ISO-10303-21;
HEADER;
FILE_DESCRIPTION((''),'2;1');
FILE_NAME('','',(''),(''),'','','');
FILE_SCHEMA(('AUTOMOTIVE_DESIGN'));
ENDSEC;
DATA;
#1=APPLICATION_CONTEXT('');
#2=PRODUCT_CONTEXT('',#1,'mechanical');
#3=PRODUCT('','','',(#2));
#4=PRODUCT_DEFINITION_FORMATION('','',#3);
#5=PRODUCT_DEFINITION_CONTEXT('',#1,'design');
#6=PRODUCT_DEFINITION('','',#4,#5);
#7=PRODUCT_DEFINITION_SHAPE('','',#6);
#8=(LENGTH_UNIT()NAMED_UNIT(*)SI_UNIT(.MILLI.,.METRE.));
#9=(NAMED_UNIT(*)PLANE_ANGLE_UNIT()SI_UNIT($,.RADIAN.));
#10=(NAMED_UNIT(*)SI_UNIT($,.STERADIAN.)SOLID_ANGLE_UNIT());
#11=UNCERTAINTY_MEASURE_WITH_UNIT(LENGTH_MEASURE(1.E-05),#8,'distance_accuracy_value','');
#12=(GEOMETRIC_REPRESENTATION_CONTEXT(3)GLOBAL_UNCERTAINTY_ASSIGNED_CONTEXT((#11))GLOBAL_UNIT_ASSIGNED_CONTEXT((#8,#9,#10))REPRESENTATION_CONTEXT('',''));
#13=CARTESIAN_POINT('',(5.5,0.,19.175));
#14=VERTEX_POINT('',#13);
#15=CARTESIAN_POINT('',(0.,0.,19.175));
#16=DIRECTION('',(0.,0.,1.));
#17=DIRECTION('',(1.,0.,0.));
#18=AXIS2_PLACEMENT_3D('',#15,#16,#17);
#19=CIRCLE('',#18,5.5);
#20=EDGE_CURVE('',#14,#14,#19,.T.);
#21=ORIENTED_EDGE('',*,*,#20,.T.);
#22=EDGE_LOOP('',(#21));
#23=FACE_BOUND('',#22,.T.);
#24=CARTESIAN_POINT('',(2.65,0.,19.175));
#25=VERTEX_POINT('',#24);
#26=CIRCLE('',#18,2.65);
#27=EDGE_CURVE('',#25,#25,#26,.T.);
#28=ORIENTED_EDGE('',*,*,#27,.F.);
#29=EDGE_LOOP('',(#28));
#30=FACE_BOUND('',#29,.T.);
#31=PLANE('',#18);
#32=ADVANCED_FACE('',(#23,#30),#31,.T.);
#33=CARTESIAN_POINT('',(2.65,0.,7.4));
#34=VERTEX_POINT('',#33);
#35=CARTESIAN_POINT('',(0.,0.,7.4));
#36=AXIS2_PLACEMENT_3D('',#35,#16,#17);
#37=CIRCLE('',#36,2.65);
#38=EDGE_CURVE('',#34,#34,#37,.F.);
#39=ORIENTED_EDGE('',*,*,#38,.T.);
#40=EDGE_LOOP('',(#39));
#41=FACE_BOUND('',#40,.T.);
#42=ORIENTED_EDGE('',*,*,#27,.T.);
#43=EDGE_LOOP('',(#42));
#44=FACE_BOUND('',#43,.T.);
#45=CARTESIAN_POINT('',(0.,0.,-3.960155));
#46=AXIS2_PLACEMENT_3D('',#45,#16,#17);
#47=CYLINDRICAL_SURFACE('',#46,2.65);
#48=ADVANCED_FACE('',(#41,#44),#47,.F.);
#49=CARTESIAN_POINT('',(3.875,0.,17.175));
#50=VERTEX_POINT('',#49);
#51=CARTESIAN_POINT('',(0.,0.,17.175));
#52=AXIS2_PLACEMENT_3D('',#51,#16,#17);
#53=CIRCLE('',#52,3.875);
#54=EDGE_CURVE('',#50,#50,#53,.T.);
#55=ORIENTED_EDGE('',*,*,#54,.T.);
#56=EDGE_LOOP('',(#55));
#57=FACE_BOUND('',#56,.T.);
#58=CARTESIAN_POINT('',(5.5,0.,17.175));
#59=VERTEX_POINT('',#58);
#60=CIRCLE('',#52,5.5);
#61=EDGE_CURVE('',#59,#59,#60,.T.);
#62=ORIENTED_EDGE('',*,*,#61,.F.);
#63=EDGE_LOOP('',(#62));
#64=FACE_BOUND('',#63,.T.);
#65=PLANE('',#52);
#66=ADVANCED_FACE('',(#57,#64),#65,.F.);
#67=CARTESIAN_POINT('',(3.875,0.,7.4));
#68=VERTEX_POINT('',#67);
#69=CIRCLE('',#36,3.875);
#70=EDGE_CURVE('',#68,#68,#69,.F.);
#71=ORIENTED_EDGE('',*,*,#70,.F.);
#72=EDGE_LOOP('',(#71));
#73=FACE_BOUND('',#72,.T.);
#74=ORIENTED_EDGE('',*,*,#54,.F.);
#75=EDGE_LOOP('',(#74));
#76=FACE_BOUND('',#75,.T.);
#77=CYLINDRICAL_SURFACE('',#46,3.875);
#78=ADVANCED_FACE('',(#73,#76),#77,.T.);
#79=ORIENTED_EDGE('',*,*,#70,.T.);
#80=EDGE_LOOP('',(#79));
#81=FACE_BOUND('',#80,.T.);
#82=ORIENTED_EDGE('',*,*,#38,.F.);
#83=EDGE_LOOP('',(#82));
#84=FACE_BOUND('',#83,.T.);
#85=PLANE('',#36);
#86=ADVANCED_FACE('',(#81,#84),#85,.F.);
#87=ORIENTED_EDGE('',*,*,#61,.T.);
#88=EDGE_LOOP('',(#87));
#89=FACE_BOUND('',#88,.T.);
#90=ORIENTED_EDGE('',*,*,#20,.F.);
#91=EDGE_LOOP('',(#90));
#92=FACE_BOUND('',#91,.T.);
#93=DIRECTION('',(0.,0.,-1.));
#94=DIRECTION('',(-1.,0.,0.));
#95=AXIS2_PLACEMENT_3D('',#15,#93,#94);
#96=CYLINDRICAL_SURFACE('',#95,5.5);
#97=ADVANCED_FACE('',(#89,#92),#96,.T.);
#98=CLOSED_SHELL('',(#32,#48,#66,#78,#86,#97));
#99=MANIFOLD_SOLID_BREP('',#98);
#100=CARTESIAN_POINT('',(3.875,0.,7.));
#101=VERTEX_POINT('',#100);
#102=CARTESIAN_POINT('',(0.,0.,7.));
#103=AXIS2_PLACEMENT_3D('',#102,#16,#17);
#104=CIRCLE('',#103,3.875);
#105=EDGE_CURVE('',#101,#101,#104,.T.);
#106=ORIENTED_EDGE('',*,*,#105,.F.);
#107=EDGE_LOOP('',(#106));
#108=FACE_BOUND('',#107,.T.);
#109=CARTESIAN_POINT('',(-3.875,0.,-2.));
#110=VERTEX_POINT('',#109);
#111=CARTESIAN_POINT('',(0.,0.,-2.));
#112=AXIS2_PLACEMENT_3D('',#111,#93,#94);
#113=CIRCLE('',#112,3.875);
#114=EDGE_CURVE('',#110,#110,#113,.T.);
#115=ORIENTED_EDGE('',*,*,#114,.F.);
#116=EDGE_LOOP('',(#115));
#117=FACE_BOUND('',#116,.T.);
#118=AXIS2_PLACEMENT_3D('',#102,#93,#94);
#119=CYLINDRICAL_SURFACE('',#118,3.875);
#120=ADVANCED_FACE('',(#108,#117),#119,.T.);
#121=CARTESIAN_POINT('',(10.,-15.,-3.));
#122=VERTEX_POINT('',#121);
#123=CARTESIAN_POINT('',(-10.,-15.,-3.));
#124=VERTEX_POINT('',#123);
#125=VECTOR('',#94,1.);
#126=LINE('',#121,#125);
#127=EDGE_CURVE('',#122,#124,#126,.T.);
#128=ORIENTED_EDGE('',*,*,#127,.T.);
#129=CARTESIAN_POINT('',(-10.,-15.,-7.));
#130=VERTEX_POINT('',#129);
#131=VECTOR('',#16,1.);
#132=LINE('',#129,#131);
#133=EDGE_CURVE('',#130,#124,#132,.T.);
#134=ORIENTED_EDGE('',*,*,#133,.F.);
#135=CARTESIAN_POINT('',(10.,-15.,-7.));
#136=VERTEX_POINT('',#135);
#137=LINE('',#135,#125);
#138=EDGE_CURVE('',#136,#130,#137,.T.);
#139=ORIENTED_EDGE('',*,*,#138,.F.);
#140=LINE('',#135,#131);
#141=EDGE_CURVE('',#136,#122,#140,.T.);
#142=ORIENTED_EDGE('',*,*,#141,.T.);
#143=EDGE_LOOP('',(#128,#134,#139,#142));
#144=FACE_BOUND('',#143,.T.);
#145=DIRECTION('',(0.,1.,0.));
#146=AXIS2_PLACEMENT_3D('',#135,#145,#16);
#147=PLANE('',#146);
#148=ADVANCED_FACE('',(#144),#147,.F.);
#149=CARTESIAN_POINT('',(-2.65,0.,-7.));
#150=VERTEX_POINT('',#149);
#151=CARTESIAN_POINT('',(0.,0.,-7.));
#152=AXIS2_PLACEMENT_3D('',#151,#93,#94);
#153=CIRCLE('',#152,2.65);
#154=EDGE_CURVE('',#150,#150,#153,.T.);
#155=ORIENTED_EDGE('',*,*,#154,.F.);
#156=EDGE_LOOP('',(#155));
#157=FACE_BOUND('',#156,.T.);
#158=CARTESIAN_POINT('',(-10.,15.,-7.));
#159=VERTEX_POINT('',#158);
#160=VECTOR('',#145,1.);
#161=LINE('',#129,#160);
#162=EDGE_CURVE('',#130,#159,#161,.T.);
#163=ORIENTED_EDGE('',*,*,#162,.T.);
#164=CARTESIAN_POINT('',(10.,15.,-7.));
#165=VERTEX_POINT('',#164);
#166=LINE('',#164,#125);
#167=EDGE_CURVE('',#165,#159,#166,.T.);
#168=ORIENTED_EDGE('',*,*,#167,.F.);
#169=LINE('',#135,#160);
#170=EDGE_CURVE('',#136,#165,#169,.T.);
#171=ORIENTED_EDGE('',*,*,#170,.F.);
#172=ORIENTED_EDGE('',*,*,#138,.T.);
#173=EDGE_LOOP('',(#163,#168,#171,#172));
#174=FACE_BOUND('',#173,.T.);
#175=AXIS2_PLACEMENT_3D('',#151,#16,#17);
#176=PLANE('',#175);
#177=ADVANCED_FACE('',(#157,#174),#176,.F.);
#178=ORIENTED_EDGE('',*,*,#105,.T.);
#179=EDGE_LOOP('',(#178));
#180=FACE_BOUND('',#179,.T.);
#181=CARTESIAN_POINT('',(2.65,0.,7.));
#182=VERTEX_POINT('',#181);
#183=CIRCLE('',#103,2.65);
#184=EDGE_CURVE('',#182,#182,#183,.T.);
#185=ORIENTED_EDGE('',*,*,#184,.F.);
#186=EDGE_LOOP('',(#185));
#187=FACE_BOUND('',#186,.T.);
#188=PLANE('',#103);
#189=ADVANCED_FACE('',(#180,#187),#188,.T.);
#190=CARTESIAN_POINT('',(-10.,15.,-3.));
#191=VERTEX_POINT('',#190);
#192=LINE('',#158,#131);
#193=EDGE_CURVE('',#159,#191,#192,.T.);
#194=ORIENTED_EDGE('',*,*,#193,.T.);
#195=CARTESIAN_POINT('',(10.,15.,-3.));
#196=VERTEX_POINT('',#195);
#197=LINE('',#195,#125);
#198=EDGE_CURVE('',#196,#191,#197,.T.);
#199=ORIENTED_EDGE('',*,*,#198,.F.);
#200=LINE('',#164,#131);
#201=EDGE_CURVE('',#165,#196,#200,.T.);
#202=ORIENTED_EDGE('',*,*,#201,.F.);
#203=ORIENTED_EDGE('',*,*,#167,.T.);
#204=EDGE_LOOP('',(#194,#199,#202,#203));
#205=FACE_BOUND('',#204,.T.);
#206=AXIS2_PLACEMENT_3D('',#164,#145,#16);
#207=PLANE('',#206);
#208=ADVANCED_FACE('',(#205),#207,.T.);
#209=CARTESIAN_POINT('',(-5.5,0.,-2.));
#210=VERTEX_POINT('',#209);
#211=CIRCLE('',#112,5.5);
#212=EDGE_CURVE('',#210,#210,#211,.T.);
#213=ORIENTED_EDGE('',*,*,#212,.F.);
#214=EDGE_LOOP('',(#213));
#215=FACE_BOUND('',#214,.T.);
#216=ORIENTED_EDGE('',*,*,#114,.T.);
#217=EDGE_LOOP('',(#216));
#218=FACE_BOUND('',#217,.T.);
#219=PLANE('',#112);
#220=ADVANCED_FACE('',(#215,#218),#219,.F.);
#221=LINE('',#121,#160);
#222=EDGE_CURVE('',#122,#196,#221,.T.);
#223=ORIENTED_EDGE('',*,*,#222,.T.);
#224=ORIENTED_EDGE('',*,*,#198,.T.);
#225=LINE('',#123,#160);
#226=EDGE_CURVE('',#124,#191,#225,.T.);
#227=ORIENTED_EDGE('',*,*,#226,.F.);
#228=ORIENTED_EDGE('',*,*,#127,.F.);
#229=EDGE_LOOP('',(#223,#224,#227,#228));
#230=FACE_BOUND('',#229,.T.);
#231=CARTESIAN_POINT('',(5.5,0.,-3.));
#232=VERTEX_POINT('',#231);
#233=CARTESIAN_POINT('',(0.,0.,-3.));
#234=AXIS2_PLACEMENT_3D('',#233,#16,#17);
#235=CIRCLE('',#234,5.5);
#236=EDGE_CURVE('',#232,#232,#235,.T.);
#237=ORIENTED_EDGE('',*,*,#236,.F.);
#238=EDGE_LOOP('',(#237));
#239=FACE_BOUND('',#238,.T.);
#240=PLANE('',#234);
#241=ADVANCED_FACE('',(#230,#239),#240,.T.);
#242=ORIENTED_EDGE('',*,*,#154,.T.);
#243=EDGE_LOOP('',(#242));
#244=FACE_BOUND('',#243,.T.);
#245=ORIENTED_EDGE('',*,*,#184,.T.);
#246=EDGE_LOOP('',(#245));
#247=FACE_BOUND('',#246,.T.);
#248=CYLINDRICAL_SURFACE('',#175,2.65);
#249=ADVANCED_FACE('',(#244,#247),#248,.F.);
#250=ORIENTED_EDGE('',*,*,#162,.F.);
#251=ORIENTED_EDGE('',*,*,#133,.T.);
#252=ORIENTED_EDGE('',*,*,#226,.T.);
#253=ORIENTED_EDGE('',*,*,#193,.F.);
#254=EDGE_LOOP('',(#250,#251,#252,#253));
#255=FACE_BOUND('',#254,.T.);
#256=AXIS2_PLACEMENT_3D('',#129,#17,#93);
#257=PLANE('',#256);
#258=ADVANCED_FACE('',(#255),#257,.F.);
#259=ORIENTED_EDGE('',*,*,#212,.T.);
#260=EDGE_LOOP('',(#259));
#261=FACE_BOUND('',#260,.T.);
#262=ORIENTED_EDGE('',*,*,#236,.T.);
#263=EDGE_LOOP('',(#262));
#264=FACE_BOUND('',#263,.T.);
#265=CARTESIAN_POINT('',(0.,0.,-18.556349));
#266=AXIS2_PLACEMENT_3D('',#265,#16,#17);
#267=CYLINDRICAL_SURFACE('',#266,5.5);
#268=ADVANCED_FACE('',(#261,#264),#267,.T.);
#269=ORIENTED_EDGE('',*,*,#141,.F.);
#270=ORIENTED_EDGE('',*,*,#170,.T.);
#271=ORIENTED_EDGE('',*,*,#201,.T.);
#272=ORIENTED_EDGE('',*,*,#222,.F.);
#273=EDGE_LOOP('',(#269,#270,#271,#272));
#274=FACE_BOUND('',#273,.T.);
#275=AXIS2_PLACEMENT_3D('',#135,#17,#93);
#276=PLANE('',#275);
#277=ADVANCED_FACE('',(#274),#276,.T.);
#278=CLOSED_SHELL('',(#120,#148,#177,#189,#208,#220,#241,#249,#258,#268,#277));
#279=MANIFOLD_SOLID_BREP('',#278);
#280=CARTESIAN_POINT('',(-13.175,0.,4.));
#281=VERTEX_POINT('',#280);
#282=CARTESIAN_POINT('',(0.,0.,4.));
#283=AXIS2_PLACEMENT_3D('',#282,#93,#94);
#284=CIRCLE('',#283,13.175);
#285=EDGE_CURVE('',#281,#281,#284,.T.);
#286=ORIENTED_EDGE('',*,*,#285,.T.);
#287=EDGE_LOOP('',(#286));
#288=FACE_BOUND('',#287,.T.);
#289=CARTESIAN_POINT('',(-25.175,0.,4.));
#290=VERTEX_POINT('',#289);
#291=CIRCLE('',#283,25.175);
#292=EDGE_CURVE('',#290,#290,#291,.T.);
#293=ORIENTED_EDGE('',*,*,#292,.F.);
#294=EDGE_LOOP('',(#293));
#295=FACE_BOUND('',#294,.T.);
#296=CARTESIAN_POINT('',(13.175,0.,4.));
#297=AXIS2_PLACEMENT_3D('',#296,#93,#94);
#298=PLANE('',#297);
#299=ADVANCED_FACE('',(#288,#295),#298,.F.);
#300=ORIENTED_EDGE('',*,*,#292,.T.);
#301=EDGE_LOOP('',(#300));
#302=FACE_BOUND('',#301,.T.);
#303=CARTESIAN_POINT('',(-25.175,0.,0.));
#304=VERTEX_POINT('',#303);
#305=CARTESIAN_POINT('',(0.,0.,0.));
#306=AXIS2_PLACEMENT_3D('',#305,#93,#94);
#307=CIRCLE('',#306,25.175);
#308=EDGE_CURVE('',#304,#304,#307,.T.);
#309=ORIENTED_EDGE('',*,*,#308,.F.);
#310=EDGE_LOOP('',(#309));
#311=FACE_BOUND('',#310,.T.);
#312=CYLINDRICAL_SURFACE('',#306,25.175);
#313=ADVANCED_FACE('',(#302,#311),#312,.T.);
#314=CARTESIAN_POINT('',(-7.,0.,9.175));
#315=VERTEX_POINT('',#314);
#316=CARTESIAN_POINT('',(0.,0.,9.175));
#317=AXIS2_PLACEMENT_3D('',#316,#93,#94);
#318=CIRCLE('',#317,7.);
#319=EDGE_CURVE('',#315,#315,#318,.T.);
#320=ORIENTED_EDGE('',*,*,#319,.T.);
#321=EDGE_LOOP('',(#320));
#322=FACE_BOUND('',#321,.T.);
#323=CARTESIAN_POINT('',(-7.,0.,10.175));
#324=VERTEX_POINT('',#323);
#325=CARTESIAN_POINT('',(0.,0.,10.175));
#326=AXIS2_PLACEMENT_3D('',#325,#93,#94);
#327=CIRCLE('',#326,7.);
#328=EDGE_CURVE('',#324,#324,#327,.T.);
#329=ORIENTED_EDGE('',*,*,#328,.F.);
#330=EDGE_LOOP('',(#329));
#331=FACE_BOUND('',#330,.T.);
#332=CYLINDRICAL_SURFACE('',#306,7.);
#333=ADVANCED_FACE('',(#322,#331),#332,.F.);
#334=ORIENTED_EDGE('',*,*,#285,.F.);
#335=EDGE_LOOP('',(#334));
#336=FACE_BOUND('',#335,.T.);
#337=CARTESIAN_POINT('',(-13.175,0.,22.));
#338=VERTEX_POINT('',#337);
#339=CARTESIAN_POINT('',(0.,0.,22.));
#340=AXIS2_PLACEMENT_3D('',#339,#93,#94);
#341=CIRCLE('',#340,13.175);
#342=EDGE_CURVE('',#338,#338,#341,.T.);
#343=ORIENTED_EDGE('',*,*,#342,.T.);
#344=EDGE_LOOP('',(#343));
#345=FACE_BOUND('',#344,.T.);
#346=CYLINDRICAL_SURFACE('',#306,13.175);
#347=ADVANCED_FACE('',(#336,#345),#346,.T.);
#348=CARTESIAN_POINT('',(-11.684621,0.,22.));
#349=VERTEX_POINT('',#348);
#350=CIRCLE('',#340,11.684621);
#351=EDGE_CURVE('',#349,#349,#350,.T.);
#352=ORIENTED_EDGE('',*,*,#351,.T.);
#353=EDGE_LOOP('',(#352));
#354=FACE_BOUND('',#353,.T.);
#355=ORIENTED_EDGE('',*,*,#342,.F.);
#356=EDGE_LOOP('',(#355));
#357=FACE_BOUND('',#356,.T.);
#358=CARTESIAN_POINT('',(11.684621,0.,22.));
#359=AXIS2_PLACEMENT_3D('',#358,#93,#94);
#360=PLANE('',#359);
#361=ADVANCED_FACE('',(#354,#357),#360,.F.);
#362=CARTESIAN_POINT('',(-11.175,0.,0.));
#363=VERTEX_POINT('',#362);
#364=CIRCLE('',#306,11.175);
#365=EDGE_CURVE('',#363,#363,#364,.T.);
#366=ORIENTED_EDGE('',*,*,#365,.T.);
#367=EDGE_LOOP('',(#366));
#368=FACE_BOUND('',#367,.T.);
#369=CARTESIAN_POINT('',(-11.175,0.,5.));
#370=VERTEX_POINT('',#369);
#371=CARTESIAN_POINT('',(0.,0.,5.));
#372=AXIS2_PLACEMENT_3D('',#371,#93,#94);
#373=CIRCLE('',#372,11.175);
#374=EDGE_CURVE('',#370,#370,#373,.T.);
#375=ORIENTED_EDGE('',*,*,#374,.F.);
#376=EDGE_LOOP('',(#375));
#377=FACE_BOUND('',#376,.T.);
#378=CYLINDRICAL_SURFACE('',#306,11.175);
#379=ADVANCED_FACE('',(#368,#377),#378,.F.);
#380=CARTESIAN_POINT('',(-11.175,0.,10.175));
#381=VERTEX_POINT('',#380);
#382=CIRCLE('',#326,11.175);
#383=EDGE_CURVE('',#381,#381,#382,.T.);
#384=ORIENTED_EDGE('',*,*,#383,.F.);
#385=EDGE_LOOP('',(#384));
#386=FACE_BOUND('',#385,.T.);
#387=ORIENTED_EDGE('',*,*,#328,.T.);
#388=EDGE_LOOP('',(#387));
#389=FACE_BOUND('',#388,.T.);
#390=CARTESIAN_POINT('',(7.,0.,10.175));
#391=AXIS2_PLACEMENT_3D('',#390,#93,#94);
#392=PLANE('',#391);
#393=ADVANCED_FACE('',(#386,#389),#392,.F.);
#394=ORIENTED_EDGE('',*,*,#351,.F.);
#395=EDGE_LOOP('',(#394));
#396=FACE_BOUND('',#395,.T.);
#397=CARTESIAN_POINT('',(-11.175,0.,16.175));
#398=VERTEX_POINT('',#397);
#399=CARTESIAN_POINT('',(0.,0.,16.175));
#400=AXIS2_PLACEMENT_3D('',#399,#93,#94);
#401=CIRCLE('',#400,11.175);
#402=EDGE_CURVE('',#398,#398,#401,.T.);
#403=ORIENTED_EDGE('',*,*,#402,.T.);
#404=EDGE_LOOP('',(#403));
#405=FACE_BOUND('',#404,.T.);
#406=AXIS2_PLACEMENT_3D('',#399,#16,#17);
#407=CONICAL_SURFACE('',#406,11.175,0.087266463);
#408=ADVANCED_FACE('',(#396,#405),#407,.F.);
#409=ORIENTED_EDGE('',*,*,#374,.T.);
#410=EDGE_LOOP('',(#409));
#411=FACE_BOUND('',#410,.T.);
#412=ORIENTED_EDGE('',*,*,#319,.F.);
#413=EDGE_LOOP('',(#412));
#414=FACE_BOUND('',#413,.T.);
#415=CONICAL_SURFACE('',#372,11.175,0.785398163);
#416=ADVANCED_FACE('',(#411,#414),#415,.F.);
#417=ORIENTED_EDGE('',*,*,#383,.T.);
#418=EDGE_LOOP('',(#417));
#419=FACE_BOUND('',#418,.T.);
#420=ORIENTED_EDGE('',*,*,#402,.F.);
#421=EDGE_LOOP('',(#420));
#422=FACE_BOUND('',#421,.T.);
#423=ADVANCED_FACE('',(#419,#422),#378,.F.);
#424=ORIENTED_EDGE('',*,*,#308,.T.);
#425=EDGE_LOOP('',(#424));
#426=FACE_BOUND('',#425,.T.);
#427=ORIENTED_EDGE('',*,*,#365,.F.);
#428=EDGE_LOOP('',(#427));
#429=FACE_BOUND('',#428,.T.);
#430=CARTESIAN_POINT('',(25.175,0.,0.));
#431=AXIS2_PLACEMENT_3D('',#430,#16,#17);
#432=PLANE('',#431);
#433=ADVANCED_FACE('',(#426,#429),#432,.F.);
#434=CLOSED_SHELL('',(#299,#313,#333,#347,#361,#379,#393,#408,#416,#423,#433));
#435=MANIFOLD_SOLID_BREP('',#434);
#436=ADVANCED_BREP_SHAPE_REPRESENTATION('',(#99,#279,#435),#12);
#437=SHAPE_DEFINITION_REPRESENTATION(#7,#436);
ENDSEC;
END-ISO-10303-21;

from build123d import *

# Parameters (mm, degrees)
BOSS_EXTRUDE1_START = 1
SKETCH3_W           = 20
SKETCH3_H           = 30
SKETCH3_R           = 2.65
BOSS_EXTRUDE1_DEPTH = 4
BOSS_EXTRUDE3_START = 1
SKETCH3_4_R         = 3.875
SKETCH3_4_R_2       = 2.65
BOSS_EXTRUDE3_DEPTH = 10
SKETCH3_5_R         = 5.5
SKETCH3_5_R_2       = 3.875
BOSS_EXTRUDE4_DEPTH = 1
SKETCH4_R           = 3.875
SKETCH4_R_2         = 2.65
BOSS_EXTRUDE5_DEPTH = 9.775
SKETCH4_3_R         = 5.5
SKETCH4_3_R_2       = 3.875
SKETCH4_3_R_3       = 2.65
BOSS_EXTRUDE6_DEPTH = 2


with BuildPart() as part:
    # Sketch2 → Revolve1 (revolve)
    with BuildSketch(Plane(origin=(0, 0, 0), x_dir=(1, 0, 0), z_dir=(0, 1, 0))):
        Polygon((11.175, 0), (11.175, -5), (7, -9.175), (7, -10.175), (11.175, -10.175), (11.175, -16.175), (11.684621465, -22), (13.175, -22), (13.175, -4), (25.175, -4), (25.175, 0), align=None)
    revolve(axis=Axis((0, 0, 0), (0, 0, 1)))


with BuildPart() as body_2:
    # Sketch3 → Boss-Extrude1 (new body)
    with BuildSketch(Plane(origin=(0, 0, -2), x_dir=(-1, 0, 0), z_dir=(0, 0, -1)).offset(BOSS_EXTRUDE1_START)):
        Rectangle(SKETCH3_W, SKETCH3_H)
        Circle(SKETCH3_R, mode=Mode.SUBTRACT)
    extrude(amount=BOSS_EXTRUDE1_DEPTH)

    # Sketch3<4> → Boss-Extrude3 (add)
    with BuildSketch(Plane(origin=(0, 0, -2), x_dir=(-1, 0, 0), z_dir=(0, 0, -1)).offset(BOSS_EXTRUDE3_START)):
        Circle(SKETCH3_4_R)
        Circle(SKETCH3_4_R_2, mode=Mode.SUBTRACT)
    extrude(amount=-BOSS_EXTRUDE3_DEPTH)

    # Sketch3<5> → Boss-Extrude4 (add)
    with BuildSketch(Plane(origin=(0, 0, -2), x_dir=(-1, 0, 0), z_dir=(0, 0, -1))):
        Circle(SKETCH3_5_R)
        Circle(SKETCH3_5_R_2, mode=Mode.SUBTRACT)
    extrude(amount=BOSS_EXTRUDE4_DEPTH)


with BuildPart() as body_3:
    # Sketch4 → Boss-Extrude5 (new body)
    with BuildSketch(Plane.XY.offset(17.175)):
        Circle(SKETCH4_R)
        Circle(SKETCH4_R_2, mode=Mode.SUBTRACT)
    extrude(amount=-BOSS_EXTRUDE5_DEPTH)

    # Sketch4<3> → Boss-Extrude6 (add)
    with BuildSketch(Plane.XY.offset(17.175)):
        Circle(SKETCH4_3_R)
        Circle(SKETCH4_3_R_2, mode=Mode.SUBTRACT)
        Circle(SKETCH4_3_R_2)
        Circle(SKETCH4_3_R_3, mode=Mode.SUBTRACT)
    extrude(amount=BOSS_EXTRUDE6_DEPTH)


solid = Compound([part.part, body_2.part, body_3.part])
